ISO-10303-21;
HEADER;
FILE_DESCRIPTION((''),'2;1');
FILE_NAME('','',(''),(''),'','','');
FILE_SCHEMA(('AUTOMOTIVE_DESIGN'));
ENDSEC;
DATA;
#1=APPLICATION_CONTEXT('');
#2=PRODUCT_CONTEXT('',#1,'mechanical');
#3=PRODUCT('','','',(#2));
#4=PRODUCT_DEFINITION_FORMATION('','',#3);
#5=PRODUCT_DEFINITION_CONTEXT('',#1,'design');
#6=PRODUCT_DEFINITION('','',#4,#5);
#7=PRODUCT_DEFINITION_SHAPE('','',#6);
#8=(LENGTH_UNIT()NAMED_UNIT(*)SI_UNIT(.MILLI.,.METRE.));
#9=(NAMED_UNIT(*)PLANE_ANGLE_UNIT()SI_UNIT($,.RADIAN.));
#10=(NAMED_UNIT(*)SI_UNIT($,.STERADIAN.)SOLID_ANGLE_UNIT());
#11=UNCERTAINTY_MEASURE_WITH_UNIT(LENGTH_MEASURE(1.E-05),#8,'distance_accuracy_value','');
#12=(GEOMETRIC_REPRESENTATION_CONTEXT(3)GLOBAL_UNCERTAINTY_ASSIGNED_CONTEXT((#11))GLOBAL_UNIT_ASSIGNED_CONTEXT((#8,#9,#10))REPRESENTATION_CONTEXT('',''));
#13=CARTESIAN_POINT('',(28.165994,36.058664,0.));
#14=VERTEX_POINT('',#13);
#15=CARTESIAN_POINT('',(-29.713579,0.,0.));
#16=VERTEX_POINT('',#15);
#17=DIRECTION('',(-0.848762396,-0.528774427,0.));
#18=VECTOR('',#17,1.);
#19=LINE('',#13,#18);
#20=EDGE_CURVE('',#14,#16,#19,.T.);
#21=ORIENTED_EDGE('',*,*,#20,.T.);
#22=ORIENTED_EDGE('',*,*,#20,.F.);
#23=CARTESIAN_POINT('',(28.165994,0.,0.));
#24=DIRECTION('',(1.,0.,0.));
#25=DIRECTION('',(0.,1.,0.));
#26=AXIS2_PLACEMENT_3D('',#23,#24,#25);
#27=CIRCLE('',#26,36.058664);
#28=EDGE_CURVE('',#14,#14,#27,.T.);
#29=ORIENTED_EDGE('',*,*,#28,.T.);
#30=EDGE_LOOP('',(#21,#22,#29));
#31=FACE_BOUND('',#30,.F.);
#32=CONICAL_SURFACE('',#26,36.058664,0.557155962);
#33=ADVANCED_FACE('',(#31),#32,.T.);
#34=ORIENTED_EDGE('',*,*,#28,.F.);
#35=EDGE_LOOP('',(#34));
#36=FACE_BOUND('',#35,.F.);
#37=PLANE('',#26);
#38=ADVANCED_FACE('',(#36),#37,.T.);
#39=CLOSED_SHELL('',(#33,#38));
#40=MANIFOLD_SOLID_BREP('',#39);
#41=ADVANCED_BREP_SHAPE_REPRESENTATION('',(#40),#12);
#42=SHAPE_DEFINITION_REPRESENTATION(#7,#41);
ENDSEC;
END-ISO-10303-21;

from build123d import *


with BuildPart() as f1:
    # F0 (on Top) → F1 (revolve)
    with BuildSketch(Plane.XY):
        Polygon((28.165994, 36.058664), (-29.713579, 0), (28.165994, 0), align=None)
    revolve(axis=Axis((-0.773792, 0, 0), (1, 0, 0)))


solid = f1.part
